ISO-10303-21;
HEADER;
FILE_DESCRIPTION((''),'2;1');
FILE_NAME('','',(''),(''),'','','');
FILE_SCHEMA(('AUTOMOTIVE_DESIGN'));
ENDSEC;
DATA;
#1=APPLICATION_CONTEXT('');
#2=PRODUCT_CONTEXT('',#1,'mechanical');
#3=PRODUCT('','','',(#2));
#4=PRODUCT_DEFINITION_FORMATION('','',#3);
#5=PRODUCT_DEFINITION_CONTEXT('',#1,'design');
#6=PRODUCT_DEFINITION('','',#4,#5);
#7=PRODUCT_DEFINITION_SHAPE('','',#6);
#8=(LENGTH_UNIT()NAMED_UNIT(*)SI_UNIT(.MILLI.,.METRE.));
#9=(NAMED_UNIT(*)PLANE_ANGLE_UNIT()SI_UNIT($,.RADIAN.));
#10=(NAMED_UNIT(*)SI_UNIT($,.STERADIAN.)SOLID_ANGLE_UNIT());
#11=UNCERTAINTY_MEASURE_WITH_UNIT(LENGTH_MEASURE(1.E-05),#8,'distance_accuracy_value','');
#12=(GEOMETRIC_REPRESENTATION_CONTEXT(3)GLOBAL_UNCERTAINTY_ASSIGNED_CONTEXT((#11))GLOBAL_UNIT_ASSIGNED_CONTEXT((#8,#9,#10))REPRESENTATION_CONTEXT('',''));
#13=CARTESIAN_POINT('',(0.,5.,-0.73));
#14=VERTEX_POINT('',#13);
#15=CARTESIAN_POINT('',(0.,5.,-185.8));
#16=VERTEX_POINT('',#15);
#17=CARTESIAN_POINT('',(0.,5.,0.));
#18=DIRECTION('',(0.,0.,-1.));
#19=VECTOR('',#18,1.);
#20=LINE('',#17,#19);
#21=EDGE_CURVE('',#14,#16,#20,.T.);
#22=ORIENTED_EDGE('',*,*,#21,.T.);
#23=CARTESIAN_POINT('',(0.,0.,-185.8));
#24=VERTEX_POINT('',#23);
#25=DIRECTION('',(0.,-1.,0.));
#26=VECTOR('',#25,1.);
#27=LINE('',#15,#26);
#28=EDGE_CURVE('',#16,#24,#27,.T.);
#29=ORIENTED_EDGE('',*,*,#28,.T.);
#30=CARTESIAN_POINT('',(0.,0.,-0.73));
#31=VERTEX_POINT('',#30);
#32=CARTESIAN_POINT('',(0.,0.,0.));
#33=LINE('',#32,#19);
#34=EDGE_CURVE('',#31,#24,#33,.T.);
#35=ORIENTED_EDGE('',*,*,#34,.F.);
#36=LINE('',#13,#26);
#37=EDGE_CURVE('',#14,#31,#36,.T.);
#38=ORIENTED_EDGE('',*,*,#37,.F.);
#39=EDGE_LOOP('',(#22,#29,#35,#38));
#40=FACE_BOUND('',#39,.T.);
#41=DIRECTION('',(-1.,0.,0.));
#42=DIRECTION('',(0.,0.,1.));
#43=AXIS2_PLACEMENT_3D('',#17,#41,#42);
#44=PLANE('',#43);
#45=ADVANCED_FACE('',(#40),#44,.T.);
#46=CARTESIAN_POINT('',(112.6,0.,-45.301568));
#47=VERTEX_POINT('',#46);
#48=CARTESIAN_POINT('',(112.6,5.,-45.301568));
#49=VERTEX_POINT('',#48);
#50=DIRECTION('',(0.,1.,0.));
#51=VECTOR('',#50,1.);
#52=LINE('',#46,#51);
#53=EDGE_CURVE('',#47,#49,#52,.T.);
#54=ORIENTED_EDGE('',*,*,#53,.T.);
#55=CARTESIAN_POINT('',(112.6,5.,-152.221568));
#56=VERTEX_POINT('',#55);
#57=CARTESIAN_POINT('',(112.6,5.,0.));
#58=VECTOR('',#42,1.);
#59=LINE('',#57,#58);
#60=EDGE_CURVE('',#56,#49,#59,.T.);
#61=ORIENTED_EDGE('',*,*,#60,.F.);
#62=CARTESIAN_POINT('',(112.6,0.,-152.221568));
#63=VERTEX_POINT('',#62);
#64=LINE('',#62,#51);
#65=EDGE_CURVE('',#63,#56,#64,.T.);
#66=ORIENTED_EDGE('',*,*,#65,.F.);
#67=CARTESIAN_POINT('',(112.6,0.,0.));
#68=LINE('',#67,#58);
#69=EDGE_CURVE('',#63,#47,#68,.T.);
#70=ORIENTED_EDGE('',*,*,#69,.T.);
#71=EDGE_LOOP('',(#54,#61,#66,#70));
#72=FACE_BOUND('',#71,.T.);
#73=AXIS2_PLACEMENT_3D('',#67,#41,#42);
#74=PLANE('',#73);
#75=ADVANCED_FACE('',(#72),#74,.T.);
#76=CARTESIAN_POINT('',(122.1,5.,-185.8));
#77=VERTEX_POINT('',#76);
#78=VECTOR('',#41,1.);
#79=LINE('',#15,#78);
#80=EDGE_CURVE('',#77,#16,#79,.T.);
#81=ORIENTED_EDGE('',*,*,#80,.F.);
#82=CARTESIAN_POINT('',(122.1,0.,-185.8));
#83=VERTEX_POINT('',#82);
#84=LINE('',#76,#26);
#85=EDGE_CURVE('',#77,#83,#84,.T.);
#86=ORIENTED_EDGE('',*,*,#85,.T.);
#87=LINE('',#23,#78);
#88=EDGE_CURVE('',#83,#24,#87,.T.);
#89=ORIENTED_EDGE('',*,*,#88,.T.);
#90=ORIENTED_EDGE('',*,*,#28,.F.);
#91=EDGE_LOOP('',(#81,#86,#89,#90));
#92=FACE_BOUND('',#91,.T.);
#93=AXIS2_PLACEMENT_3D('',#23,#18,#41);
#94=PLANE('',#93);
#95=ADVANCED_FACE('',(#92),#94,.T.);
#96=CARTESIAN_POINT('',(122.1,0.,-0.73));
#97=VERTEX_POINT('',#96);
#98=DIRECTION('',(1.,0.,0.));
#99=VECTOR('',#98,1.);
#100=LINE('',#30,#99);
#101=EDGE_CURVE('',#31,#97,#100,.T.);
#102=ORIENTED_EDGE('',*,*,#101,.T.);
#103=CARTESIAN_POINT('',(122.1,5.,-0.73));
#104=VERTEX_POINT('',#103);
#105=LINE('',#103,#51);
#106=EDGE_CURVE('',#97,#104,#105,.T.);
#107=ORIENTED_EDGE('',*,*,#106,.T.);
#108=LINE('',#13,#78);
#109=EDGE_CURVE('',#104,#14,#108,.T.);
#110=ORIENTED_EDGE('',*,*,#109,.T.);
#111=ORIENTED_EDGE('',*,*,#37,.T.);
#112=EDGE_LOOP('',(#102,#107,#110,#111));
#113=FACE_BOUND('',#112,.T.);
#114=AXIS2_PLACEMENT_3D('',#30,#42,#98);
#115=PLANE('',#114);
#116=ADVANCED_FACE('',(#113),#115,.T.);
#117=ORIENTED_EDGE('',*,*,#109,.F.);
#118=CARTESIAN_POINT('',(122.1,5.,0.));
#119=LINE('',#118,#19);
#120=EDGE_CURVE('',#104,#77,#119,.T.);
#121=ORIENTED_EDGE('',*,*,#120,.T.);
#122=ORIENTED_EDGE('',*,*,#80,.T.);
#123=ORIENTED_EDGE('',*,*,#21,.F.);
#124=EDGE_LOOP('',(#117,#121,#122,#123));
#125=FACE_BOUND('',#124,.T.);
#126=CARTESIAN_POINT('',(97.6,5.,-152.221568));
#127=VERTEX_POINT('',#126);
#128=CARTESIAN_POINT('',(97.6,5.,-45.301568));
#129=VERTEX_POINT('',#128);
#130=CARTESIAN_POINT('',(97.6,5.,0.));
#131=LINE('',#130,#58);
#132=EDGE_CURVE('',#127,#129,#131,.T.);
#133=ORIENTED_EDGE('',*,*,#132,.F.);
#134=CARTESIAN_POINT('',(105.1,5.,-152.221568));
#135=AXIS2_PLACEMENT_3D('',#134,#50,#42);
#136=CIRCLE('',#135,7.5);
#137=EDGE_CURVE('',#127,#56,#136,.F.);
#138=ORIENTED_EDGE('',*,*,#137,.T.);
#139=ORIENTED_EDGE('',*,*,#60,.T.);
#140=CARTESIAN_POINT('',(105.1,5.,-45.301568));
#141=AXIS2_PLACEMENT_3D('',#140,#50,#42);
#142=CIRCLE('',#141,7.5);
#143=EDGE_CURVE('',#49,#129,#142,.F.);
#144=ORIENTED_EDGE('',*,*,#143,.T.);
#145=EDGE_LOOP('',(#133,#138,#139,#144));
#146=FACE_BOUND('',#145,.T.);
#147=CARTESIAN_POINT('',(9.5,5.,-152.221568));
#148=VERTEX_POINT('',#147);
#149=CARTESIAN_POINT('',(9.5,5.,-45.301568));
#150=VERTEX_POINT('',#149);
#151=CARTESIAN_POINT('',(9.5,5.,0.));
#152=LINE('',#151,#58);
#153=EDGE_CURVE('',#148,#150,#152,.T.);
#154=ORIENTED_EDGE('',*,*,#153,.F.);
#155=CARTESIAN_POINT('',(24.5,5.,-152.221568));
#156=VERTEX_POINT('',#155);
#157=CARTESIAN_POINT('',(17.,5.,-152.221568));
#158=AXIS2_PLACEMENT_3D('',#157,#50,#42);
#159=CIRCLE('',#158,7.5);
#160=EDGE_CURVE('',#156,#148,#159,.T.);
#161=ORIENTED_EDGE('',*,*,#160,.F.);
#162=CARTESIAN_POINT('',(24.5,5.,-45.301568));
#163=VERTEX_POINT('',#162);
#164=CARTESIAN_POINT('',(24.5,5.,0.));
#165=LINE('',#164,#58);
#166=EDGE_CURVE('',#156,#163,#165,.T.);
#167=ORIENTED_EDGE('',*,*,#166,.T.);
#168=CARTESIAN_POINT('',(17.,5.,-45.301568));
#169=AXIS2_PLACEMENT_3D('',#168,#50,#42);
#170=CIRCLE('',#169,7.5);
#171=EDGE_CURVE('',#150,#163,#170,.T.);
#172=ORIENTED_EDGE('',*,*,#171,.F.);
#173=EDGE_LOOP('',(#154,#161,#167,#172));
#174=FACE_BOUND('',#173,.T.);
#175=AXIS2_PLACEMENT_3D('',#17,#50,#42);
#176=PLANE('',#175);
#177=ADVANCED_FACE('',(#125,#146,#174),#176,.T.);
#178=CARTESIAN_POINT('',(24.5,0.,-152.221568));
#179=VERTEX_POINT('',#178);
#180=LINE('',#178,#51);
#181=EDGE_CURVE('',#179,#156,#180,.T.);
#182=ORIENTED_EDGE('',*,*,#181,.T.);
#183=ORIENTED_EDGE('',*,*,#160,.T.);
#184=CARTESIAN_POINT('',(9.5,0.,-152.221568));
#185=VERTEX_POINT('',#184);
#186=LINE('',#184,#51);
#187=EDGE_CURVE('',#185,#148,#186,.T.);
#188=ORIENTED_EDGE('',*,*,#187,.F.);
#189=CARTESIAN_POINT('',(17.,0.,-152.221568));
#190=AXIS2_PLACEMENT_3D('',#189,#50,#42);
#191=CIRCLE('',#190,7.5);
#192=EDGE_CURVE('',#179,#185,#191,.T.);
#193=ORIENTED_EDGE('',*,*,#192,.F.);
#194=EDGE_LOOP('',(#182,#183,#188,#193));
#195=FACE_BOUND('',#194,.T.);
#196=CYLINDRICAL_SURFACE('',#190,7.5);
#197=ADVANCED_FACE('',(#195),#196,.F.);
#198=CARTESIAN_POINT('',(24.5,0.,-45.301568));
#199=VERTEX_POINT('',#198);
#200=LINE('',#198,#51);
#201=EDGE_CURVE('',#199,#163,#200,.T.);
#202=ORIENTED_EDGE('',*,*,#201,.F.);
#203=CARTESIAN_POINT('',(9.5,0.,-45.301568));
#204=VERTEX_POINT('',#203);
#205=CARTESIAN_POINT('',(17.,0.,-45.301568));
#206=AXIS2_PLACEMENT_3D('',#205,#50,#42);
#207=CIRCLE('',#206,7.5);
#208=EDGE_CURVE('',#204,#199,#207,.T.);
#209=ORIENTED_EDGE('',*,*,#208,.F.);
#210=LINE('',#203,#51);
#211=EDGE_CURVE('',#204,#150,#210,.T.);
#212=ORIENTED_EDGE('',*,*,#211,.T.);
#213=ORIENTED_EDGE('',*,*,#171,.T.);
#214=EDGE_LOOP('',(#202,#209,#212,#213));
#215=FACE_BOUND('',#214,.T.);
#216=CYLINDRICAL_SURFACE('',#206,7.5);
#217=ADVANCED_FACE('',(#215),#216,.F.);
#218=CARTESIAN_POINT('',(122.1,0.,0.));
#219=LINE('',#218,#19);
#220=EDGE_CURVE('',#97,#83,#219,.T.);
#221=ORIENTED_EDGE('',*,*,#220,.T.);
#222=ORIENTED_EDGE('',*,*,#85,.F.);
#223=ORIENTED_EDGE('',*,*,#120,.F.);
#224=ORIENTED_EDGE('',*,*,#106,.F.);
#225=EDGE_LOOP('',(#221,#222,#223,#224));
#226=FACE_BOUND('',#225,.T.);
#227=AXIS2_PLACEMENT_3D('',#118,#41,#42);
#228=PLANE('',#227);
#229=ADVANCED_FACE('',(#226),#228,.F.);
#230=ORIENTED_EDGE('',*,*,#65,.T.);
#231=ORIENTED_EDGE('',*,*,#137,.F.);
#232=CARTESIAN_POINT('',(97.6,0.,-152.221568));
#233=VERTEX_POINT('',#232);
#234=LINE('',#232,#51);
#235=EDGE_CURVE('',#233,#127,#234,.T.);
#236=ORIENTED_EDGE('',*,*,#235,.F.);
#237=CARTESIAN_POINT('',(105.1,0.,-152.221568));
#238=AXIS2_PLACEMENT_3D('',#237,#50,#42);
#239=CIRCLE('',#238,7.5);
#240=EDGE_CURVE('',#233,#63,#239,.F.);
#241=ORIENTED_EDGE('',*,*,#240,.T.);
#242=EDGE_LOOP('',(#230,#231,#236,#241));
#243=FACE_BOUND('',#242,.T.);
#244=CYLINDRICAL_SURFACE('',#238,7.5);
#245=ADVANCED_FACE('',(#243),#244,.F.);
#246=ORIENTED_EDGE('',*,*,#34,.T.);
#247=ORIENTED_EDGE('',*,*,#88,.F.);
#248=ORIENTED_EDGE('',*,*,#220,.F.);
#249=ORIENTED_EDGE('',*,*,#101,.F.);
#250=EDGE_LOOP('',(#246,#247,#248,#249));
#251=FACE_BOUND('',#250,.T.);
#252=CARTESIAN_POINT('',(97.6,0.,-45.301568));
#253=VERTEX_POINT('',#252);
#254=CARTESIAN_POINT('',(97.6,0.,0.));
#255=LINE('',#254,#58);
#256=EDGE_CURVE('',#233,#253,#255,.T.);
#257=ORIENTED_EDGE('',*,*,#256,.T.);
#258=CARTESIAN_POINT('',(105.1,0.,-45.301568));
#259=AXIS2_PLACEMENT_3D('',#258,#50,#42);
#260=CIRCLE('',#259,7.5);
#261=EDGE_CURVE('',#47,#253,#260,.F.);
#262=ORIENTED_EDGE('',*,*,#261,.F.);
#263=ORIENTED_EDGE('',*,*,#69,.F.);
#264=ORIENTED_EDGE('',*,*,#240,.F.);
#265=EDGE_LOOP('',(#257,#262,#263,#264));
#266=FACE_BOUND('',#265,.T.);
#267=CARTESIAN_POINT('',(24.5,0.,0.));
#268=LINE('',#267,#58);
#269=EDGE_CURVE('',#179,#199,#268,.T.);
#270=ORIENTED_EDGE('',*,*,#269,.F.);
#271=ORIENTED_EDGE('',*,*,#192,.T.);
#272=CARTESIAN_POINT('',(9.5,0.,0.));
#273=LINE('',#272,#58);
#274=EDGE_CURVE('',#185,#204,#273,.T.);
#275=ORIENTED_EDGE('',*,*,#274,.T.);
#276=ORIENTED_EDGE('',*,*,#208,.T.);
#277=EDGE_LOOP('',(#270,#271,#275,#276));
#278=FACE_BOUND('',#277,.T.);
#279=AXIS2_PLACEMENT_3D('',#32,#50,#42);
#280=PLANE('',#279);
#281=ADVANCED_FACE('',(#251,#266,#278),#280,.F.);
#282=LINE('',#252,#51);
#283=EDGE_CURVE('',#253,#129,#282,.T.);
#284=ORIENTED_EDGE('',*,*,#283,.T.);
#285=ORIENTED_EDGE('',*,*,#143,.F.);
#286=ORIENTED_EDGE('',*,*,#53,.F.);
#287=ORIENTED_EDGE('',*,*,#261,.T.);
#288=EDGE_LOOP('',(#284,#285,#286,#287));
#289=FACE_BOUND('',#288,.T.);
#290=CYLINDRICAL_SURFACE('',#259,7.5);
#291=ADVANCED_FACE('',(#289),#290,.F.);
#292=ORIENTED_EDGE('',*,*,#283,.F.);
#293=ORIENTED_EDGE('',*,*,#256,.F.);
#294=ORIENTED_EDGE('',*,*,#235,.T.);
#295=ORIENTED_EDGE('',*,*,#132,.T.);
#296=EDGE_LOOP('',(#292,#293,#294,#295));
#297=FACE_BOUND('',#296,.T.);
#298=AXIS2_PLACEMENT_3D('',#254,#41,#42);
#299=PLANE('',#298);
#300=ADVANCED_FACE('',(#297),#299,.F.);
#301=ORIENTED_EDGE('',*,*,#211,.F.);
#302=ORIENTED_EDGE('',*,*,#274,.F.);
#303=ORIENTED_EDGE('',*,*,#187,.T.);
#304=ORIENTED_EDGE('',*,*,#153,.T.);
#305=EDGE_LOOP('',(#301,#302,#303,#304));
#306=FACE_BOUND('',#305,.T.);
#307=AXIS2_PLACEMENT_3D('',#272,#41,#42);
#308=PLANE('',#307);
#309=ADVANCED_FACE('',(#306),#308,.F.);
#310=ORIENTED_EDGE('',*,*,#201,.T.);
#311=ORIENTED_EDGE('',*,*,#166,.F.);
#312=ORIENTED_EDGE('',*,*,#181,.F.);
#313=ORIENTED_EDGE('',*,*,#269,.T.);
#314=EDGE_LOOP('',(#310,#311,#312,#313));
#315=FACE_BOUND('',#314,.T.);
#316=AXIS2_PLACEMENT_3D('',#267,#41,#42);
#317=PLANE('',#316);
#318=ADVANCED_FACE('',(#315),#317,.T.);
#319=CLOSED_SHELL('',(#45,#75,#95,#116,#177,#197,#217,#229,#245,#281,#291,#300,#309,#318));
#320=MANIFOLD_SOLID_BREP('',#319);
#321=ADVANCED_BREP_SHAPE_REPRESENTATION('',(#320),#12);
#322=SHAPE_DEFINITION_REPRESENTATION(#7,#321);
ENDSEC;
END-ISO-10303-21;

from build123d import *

# Parameters (mm, degrees)
SKETCH1_W           = 122.1
SKETCH1_H           = 197.8
BOSS_EXTRUDE2_DEPTH = 5
CUT_EXTRUDE1_DEPTH  = 5
SKETCH5_W           = 176.692600263
SKETCH5_H           = 67.834694549
CUT_EXTRUDE2_DEPTH  = 12
SKETCH6_W           = 148.50335492
SKETCH6_H           = 63.858757444
CUT_EXTRUDE3_DEPTH  = 19
SKETCH10_W          = 122.1
SKETCH10_H          = 5
BOSS_EXTRUDE4_DEPTH = 18.27


with BuildPart() as part:
    # Sketch1 → Boss-Extrude2 (new body)
    with BuildSketch(Plane(origin=(0, 0, 0), x_dir=(1, 0, 0), z_dir=(0, 1, 0))):
        with Locations((61.05, 98.9)):
            Rectangle(SKETCH1_W, SKETCH1_H)
    extrude(amount=BOSS_EXTRUDE2_DEPTH)

    # Sketch3 → Cut-Extrude1 (cut)
    with BuildSketch(Plane(origin=(0, 5, 0), x_dir=(1, 0, 0), z_dir=(0, 1, 0))):
        with BuildLine():
            Line((24.5, 45.30156802), (24.5, 152.22156802))
            ThreePointArc((24.5, 152.22156802), (17, 159.72156802), (9.5, 152.22156802))
            Line((9.5, 152.22156802), (9.5, 45.30156802))
            ThreePointArc((9.5, 45.30156802), (17, 37.80156802), (24.5, 45.30156802))
        make_face()
        with BuildLine():
            ThreePointArc((112.6, 152.22156802), (105.1, 159.72156802), (97.6, 152.22156802))
            Line((97.6, 152.22156802), (97.6, 45.30156802))
            ThreePointArc((97.6, 45.30156802), (105.1, 37.80156802), (112.6, 45.30156802))
            Line((112.6, 45.30156802), (112.6, 152.22156802))
        make_face()
    extrude(amount=-CUT_EXTRUDE1_DEPTH, mode=Mode.SUBTRACT)

    # Sketch5 → Cut-Extrude2 (cut)
    with BuildSketch(Plane(origin=(0, 0, -197.8), x_dir=(-1, 0, 0), z_dir=(0, 0, -1))):
        with Locations((-46.708276043, -7.602787765)):
            Rectangle(SKETCH5_W, SKETCH5_H)
    extrude(amount=-CUT_EXTRUDE2_DEPTH, mode=Mode.SUBTRACT)

    # Sketch6 → Cut-Extrude3 (cut)
    with BuildSketch(Plane.XY):
        with Locations((68.056552209, 0.930489014)):
            Rectangle(SKETCH6_W, SKETCH6_H)
    extrude(amount=-CUT_EXTRUDE3_DEPTH, mode=Mode.SUBTRACT)

    # Sketch10 → Boss-Extrude4 (add)
    with BuildSketch(Plane.XY.offset(-19)):
        with Locations((61.05, 2.5)):
            Rectangle(SKETCH10_W, SKETCH10_H)
    extrude(amount=BOSS_EXTRUDE4_DEPTH)


solid = part.part
